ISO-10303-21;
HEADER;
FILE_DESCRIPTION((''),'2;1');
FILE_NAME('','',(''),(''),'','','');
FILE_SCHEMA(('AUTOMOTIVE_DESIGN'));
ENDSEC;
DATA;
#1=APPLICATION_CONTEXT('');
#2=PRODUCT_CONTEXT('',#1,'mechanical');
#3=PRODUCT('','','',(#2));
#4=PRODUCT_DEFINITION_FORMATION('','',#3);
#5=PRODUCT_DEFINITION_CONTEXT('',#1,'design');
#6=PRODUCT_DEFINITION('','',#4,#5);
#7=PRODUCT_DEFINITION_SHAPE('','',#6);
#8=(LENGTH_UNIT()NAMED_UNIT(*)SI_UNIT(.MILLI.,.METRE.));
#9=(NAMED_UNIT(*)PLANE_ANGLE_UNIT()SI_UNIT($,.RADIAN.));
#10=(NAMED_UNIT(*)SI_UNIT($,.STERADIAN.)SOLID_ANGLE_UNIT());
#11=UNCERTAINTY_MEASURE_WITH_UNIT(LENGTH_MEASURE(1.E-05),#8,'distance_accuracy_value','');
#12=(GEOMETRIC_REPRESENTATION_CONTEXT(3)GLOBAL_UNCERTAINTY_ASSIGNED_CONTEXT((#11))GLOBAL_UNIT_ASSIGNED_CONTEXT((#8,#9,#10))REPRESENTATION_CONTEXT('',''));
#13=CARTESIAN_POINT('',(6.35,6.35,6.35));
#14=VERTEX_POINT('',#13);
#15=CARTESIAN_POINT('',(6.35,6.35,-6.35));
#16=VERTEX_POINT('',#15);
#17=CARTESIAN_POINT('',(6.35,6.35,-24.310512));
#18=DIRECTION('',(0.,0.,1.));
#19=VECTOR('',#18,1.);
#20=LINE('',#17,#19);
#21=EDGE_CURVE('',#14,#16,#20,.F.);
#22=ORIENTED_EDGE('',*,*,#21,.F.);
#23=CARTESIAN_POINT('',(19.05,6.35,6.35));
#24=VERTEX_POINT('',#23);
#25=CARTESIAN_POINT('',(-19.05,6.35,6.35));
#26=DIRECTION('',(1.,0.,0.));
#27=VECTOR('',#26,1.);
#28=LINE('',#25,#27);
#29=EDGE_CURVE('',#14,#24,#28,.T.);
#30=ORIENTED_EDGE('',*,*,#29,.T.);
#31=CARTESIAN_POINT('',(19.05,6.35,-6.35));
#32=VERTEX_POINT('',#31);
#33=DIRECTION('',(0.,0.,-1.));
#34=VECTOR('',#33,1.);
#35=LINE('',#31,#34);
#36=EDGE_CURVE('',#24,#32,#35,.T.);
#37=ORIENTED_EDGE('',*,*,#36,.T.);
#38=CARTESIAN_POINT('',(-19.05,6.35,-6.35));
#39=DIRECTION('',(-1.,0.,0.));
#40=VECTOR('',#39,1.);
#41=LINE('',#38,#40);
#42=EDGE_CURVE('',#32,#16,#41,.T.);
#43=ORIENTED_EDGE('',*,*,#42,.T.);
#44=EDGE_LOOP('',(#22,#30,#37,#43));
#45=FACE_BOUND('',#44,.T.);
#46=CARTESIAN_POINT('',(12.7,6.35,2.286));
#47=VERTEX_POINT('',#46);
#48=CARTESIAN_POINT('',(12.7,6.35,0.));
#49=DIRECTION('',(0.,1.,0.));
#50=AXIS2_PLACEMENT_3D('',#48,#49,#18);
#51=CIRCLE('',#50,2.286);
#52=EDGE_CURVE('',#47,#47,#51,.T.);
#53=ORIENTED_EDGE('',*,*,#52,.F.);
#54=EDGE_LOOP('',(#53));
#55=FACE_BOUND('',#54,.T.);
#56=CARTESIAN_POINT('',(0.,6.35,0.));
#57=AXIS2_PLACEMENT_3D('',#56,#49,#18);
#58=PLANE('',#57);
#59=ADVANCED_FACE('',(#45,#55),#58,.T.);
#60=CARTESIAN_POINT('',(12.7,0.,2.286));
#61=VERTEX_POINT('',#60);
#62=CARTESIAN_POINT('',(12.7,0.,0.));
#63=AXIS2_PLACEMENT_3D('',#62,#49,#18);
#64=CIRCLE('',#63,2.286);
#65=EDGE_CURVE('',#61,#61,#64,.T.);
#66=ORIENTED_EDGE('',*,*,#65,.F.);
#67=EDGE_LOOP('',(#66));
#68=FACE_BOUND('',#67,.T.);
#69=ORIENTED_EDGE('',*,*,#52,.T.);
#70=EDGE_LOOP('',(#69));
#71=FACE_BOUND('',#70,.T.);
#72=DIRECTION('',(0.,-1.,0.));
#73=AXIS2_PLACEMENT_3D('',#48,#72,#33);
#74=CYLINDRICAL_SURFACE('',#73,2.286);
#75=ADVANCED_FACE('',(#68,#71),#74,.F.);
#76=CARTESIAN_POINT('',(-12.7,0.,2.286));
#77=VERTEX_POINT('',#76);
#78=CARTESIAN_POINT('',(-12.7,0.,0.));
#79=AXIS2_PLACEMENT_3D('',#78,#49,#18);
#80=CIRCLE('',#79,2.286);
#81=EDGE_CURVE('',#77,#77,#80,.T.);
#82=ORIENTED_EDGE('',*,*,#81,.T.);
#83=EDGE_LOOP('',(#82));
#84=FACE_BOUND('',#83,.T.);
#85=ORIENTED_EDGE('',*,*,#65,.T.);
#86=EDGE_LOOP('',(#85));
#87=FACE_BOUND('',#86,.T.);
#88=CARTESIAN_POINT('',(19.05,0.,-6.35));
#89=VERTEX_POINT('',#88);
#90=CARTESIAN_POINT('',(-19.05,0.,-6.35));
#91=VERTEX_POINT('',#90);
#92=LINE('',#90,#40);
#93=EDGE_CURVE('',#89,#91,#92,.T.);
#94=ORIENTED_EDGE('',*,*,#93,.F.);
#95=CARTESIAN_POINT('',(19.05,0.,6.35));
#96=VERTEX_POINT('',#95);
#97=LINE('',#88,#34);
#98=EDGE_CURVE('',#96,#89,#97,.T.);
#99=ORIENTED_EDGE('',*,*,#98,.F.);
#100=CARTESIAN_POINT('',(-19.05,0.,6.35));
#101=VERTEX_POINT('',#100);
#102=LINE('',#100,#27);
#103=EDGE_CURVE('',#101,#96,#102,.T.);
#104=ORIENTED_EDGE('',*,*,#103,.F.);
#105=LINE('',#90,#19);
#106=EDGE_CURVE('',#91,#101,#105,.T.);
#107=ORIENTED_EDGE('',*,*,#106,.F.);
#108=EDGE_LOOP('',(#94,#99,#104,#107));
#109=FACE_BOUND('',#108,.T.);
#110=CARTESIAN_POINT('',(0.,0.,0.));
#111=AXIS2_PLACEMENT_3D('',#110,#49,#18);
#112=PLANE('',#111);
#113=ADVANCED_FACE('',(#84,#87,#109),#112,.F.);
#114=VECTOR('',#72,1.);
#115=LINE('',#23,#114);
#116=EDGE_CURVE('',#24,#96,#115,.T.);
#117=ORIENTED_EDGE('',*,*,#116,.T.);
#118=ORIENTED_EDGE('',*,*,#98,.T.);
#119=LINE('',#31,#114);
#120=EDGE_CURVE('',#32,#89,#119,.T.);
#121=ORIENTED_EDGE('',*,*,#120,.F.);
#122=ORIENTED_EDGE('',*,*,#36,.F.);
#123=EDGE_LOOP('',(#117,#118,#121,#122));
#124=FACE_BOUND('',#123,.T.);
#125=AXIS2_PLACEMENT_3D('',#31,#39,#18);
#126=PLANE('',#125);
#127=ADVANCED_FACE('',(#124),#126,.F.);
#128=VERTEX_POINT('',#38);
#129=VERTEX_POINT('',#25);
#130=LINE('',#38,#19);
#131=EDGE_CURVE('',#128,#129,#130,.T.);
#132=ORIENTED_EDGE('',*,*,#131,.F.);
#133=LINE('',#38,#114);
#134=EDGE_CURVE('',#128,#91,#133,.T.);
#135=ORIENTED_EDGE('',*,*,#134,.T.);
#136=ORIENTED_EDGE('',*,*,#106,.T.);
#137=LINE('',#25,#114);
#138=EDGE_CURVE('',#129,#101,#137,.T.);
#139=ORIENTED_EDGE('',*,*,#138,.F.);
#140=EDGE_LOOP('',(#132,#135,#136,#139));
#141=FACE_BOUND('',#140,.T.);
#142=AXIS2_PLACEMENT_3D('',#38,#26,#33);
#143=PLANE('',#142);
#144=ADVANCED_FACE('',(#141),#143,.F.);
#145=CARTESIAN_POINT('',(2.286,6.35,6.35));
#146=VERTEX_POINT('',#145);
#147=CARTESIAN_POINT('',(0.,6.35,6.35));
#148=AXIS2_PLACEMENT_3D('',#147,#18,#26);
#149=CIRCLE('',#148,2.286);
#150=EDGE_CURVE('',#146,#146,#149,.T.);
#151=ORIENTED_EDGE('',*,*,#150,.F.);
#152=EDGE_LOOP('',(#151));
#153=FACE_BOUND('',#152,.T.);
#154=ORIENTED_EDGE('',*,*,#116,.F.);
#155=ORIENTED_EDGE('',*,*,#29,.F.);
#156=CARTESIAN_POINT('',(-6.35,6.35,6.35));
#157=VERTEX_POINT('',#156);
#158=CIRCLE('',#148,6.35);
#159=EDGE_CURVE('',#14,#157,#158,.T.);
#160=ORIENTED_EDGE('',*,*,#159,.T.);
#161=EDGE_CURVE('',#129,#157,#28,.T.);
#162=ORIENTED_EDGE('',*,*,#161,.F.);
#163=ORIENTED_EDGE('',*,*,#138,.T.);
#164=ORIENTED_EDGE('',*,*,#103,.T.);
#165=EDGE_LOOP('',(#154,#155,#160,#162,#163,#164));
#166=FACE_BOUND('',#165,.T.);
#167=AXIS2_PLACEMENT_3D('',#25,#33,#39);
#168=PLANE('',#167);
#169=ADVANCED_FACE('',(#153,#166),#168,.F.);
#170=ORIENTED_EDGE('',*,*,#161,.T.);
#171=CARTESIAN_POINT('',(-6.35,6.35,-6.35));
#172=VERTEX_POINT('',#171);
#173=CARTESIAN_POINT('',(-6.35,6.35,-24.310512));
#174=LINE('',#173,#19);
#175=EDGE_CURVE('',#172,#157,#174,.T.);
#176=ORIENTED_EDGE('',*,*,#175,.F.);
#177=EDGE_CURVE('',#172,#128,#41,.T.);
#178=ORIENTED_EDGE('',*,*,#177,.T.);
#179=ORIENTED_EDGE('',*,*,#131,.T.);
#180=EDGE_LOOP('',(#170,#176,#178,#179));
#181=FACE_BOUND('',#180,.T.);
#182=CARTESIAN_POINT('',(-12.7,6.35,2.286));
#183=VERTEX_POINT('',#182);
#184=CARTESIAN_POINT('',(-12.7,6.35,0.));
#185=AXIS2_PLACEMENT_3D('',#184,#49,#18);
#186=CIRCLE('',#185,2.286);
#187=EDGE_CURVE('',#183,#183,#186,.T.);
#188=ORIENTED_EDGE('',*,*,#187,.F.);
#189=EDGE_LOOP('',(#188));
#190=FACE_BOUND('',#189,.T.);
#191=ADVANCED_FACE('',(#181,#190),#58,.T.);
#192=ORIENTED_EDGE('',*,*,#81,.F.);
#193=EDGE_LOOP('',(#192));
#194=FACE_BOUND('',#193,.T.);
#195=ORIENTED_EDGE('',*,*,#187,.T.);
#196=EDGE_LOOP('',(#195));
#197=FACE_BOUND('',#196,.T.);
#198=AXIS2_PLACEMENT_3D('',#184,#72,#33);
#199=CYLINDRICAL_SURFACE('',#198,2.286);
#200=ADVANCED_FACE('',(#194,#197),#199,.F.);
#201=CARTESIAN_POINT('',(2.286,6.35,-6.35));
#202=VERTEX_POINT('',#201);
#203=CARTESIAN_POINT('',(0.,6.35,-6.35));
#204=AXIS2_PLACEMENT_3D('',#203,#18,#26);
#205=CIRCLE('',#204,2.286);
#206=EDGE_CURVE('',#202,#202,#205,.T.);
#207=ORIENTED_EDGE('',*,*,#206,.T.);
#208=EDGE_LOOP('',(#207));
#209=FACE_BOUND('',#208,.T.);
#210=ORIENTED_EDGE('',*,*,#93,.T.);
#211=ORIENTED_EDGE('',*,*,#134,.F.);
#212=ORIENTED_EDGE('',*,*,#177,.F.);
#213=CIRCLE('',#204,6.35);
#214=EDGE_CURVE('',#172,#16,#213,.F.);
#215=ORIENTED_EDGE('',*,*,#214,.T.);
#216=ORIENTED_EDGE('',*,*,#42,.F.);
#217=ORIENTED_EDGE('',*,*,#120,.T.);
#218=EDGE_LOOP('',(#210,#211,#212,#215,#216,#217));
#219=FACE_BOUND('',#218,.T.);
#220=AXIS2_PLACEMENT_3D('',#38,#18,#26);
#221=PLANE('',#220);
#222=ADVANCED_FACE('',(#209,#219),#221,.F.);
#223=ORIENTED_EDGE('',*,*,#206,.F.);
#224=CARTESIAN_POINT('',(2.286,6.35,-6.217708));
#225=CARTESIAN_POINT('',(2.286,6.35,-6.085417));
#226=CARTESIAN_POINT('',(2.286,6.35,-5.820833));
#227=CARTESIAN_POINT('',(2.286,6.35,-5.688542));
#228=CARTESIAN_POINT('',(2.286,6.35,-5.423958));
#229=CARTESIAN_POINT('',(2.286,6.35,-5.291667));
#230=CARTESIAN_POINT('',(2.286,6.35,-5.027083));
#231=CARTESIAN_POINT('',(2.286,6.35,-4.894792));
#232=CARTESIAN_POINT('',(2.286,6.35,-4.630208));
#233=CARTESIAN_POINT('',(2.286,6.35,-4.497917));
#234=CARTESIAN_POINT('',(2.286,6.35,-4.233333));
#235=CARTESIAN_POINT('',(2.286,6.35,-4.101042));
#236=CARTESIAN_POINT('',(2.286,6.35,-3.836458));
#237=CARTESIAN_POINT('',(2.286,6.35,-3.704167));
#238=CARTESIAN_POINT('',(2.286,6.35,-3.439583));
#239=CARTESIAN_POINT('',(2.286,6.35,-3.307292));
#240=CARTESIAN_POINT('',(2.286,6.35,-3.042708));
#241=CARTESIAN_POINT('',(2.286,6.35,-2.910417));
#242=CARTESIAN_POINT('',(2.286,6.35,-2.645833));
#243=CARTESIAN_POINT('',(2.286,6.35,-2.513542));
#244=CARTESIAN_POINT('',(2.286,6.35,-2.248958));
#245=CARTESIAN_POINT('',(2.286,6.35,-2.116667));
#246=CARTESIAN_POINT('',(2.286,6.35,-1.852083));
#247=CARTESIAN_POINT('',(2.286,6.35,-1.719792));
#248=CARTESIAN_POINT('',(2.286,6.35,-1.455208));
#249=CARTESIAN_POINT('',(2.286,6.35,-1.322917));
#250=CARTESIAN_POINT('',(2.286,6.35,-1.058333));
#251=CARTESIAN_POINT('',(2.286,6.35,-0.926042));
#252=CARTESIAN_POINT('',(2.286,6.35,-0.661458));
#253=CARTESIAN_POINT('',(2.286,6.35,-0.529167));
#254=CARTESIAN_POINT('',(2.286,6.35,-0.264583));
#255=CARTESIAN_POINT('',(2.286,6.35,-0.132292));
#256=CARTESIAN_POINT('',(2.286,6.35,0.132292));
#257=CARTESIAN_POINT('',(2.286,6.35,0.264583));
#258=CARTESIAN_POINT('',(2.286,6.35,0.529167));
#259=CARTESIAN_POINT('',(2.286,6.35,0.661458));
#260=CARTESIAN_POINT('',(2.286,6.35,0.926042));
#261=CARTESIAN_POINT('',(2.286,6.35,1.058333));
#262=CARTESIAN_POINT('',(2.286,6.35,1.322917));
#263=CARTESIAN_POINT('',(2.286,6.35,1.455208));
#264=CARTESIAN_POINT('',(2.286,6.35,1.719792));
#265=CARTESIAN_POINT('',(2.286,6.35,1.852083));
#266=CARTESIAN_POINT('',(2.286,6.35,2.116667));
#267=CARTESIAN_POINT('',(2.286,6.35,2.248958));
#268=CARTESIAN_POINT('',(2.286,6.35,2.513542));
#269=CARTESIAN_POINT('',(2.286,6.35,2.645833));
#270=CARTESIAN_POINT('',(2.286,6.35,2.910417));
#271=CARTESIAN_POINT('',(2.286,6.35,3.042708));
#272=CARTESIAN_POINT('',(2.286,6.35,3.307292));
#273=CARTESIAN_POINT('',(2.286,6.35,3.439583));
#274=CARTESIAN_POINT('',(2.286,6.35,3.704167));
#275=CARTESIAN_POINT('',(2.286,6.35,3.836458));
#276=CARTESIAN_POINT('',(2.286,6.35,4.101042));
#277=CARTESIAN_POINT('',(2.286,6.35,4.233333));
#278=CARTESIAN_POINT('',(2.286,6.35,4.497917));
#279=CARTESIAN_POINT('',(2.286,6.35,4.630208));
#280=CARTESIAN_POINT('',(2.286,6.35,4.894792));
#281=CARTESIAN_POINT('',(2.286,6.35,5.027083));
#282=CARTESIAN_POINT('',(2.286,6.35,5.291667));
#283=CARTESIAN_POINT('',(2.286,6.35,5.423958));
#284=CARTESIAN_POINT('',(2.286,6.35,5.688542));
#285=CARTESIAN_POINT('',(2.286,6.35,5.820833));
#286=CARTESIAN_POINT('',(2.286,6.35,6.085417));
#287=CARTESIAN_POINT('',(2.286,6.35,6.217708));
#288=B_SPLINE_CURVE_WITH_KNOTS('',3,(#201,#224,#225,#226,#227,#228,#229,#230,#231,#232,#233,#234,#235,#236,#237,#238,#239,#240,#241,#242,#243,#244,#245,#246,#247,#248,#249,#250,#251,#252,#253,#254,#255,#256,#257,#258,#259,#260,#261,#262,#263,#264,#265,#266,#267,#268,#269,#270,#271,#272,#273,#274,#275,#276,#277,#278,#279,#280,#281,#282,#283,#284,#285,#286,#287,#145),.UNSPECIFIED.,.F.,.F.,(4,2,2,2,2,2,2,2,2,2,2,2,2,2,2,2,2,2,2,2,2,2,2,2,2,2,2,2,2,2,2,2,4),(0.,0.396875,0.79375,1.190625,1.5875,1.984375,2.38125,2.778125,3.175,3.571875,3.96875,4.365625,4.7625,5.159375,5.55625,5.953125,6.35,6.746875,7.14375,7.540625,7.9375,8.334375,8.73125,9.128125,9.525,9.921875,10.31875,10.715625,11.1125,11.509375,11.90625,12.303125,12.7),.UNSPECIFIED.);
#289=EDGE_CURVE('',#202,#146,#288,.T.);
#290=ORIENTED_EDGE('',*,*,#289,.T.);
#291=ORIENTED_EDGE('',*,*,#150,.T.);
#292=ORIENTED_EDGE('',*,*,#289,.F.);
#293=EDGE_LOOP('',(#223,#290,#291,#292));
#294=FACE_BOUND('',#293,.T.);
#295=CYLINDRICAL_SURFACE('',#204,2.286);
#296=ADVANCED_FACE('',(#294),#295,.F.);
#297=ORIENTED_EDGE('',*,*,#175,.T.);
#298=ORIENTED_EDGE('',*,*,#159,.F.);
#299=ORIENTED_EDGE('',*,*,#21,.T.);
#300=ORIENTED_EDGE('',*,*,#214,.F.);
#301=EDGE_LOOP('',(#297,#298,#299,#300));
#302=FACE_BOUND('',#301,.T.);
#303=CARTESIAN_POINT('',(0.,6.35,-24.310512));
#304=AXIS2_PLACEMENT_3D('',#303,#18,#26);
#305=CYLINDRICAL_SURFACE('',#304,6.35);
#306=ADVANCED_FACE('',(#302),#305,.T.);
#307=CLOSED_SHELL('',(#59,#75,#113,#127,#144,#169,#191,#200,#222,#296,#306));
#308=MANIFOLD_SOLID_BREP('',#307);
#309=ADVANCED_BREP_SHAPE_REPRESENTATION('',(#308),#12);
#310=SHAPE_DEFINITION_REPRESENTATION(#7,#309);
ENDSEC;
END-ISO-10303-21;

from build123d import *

# Parameters (mm, degrees)
SKETCH1_W           = 38.1
SKETCH1_H           = 12.7
SKETCH1_R           = 2.286
BOSS_EXTRUDE1_DEPTH = 6.35
SKETCH4_R           = 6.35
BOSS_EXTRUDE2_DEPTH = 12.7
SKETCH2_R           = 2.286
CUT_EXTRUDE1_DEPTH  = 27.181720723


with BuildPart() as part:
    # Sketch1 → Boss-Extrude1 (new body)
    with BuildSketch(Plane(origin=(0, 0, 0), x_dir=(1, 0, 0), z_dir=(0, 1, 0))):
        Rectangle(SKETCH1_W, SKETCH1_H)
        with Locations(Location((-12.7, 0, 0), (0, 0, 270))):
            Circle(SKETCH1_R, mode=Mode.SUBTRACT)
        with Locations(Location((12.7, 0, 0), (0, 0, 270))):
            Circle(SKETCH1_R, mode=Mode.SUBTRACT)
    extrude(amount=BOSS_EXTRUDE1_DEPTH)

    # Sketch4 → Boss-Extrude2 (add)
    with BuildSketch(Plane.XY.offset(6.35)):
        with Locations((0, 6.35)):
            Circle(SKETCH4_R)
    extrude(amount=-BOSS_EXTRUDE2_DEPTH)

    # Sketch2 → Cut-Extrude1 (cut, through all)
    with BuildSketch(Plane.XY.offset(6.35)):
        with Locations((0, 6.35)):
            Circle(SKETCH2_R)
    extrude(amount=-CUT_EXTRUDE1_DEPTH, mode=Mode.SUBTRACT)


solid = part.part
